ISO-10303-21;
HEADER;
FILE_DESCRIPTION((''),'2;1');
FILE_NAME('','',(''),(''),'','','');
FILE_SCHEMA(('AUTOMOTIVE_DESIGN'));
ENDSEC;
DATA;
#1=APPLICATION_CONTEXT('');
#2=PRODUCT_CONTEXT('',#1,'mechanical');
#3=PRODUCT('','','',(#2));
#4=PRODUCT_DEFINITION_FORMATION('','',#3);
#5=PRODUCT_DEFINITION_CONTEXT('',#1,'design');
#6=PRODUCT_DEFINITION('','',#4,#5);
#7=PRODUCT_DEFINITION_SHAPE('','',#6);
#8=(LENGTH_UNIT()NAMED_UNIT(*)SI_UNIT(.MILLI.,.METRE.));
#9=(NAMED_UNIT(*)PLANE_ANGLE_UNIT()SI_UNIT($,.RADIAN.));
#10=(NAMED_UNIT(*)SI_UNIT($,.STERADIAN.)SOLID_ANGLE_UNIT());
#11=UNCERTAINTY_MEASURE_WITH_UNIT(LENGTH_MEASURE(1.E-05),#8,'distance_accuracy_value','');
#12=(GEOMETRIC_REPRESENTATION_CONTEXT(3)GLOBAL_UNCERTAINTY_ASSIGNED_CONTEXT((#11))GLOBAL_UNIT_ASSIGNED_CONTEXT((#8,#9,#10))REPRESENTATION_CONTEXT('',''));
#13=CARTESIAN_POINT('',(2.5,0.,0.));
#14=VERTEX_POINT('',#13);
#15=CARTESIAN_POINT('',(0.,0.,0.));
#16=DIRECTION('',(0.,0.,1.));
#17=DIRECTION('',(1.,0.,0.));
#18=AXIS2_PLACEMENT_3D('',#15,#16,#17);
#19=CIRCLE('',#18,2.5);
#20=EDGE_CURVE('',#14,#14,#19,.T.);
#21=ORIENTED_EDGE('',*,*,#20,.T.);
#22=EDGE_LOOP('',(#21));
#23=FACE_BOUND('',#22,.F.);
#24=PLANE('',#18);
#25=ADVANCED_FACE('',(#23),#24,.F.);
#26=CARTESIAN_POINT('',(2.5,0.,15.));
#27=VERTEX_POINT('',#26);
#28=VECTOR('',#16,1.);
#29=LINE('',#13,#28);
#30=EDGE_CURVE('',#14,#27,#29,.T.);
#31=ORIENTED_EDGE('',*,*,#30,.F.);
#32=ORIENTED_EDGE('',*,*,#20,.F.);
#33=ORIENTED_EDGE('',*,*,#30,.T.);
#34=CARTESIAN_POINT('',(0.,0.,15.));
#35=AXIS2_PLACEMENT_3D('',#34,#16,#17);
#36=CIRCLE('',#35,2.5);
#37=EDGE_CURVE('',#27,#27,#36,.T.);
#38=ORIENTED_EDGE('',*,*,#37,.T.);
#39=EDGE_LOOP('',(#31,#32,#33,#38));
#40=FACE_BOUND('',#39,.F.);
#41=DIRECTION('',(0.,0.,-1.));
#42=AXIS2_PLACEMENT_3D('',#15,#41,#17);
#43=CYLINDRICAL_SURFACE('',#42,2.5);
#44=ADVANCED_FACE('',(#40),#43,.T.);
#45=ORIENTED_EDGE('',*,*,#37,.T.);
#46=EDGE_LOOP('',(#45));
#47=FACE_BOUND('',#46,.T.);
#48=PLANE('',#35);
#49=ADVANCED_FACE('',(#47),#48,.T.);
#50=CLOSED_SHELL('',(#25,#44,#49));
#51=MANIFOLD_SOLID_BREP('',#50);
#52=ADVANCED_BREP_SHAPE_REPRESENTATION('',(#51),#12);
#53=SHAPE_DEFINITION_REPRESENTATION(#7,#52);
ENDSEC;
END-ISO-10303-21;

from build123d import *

# Parameters (mm, degrees)
SKETCH1_R           = 2.5
BOSS_EXTRUDE1_DEPTH = 15


with BuildPart() as part:
    # Sketch1 → Boss-Extrude1 (new body)
    with BuildSketch(Plane.XY):
        Circle(SKETCH1_R)
    extrude(amount=BOSS_EXTRUDE1_DEPTH)


solid = part.part
